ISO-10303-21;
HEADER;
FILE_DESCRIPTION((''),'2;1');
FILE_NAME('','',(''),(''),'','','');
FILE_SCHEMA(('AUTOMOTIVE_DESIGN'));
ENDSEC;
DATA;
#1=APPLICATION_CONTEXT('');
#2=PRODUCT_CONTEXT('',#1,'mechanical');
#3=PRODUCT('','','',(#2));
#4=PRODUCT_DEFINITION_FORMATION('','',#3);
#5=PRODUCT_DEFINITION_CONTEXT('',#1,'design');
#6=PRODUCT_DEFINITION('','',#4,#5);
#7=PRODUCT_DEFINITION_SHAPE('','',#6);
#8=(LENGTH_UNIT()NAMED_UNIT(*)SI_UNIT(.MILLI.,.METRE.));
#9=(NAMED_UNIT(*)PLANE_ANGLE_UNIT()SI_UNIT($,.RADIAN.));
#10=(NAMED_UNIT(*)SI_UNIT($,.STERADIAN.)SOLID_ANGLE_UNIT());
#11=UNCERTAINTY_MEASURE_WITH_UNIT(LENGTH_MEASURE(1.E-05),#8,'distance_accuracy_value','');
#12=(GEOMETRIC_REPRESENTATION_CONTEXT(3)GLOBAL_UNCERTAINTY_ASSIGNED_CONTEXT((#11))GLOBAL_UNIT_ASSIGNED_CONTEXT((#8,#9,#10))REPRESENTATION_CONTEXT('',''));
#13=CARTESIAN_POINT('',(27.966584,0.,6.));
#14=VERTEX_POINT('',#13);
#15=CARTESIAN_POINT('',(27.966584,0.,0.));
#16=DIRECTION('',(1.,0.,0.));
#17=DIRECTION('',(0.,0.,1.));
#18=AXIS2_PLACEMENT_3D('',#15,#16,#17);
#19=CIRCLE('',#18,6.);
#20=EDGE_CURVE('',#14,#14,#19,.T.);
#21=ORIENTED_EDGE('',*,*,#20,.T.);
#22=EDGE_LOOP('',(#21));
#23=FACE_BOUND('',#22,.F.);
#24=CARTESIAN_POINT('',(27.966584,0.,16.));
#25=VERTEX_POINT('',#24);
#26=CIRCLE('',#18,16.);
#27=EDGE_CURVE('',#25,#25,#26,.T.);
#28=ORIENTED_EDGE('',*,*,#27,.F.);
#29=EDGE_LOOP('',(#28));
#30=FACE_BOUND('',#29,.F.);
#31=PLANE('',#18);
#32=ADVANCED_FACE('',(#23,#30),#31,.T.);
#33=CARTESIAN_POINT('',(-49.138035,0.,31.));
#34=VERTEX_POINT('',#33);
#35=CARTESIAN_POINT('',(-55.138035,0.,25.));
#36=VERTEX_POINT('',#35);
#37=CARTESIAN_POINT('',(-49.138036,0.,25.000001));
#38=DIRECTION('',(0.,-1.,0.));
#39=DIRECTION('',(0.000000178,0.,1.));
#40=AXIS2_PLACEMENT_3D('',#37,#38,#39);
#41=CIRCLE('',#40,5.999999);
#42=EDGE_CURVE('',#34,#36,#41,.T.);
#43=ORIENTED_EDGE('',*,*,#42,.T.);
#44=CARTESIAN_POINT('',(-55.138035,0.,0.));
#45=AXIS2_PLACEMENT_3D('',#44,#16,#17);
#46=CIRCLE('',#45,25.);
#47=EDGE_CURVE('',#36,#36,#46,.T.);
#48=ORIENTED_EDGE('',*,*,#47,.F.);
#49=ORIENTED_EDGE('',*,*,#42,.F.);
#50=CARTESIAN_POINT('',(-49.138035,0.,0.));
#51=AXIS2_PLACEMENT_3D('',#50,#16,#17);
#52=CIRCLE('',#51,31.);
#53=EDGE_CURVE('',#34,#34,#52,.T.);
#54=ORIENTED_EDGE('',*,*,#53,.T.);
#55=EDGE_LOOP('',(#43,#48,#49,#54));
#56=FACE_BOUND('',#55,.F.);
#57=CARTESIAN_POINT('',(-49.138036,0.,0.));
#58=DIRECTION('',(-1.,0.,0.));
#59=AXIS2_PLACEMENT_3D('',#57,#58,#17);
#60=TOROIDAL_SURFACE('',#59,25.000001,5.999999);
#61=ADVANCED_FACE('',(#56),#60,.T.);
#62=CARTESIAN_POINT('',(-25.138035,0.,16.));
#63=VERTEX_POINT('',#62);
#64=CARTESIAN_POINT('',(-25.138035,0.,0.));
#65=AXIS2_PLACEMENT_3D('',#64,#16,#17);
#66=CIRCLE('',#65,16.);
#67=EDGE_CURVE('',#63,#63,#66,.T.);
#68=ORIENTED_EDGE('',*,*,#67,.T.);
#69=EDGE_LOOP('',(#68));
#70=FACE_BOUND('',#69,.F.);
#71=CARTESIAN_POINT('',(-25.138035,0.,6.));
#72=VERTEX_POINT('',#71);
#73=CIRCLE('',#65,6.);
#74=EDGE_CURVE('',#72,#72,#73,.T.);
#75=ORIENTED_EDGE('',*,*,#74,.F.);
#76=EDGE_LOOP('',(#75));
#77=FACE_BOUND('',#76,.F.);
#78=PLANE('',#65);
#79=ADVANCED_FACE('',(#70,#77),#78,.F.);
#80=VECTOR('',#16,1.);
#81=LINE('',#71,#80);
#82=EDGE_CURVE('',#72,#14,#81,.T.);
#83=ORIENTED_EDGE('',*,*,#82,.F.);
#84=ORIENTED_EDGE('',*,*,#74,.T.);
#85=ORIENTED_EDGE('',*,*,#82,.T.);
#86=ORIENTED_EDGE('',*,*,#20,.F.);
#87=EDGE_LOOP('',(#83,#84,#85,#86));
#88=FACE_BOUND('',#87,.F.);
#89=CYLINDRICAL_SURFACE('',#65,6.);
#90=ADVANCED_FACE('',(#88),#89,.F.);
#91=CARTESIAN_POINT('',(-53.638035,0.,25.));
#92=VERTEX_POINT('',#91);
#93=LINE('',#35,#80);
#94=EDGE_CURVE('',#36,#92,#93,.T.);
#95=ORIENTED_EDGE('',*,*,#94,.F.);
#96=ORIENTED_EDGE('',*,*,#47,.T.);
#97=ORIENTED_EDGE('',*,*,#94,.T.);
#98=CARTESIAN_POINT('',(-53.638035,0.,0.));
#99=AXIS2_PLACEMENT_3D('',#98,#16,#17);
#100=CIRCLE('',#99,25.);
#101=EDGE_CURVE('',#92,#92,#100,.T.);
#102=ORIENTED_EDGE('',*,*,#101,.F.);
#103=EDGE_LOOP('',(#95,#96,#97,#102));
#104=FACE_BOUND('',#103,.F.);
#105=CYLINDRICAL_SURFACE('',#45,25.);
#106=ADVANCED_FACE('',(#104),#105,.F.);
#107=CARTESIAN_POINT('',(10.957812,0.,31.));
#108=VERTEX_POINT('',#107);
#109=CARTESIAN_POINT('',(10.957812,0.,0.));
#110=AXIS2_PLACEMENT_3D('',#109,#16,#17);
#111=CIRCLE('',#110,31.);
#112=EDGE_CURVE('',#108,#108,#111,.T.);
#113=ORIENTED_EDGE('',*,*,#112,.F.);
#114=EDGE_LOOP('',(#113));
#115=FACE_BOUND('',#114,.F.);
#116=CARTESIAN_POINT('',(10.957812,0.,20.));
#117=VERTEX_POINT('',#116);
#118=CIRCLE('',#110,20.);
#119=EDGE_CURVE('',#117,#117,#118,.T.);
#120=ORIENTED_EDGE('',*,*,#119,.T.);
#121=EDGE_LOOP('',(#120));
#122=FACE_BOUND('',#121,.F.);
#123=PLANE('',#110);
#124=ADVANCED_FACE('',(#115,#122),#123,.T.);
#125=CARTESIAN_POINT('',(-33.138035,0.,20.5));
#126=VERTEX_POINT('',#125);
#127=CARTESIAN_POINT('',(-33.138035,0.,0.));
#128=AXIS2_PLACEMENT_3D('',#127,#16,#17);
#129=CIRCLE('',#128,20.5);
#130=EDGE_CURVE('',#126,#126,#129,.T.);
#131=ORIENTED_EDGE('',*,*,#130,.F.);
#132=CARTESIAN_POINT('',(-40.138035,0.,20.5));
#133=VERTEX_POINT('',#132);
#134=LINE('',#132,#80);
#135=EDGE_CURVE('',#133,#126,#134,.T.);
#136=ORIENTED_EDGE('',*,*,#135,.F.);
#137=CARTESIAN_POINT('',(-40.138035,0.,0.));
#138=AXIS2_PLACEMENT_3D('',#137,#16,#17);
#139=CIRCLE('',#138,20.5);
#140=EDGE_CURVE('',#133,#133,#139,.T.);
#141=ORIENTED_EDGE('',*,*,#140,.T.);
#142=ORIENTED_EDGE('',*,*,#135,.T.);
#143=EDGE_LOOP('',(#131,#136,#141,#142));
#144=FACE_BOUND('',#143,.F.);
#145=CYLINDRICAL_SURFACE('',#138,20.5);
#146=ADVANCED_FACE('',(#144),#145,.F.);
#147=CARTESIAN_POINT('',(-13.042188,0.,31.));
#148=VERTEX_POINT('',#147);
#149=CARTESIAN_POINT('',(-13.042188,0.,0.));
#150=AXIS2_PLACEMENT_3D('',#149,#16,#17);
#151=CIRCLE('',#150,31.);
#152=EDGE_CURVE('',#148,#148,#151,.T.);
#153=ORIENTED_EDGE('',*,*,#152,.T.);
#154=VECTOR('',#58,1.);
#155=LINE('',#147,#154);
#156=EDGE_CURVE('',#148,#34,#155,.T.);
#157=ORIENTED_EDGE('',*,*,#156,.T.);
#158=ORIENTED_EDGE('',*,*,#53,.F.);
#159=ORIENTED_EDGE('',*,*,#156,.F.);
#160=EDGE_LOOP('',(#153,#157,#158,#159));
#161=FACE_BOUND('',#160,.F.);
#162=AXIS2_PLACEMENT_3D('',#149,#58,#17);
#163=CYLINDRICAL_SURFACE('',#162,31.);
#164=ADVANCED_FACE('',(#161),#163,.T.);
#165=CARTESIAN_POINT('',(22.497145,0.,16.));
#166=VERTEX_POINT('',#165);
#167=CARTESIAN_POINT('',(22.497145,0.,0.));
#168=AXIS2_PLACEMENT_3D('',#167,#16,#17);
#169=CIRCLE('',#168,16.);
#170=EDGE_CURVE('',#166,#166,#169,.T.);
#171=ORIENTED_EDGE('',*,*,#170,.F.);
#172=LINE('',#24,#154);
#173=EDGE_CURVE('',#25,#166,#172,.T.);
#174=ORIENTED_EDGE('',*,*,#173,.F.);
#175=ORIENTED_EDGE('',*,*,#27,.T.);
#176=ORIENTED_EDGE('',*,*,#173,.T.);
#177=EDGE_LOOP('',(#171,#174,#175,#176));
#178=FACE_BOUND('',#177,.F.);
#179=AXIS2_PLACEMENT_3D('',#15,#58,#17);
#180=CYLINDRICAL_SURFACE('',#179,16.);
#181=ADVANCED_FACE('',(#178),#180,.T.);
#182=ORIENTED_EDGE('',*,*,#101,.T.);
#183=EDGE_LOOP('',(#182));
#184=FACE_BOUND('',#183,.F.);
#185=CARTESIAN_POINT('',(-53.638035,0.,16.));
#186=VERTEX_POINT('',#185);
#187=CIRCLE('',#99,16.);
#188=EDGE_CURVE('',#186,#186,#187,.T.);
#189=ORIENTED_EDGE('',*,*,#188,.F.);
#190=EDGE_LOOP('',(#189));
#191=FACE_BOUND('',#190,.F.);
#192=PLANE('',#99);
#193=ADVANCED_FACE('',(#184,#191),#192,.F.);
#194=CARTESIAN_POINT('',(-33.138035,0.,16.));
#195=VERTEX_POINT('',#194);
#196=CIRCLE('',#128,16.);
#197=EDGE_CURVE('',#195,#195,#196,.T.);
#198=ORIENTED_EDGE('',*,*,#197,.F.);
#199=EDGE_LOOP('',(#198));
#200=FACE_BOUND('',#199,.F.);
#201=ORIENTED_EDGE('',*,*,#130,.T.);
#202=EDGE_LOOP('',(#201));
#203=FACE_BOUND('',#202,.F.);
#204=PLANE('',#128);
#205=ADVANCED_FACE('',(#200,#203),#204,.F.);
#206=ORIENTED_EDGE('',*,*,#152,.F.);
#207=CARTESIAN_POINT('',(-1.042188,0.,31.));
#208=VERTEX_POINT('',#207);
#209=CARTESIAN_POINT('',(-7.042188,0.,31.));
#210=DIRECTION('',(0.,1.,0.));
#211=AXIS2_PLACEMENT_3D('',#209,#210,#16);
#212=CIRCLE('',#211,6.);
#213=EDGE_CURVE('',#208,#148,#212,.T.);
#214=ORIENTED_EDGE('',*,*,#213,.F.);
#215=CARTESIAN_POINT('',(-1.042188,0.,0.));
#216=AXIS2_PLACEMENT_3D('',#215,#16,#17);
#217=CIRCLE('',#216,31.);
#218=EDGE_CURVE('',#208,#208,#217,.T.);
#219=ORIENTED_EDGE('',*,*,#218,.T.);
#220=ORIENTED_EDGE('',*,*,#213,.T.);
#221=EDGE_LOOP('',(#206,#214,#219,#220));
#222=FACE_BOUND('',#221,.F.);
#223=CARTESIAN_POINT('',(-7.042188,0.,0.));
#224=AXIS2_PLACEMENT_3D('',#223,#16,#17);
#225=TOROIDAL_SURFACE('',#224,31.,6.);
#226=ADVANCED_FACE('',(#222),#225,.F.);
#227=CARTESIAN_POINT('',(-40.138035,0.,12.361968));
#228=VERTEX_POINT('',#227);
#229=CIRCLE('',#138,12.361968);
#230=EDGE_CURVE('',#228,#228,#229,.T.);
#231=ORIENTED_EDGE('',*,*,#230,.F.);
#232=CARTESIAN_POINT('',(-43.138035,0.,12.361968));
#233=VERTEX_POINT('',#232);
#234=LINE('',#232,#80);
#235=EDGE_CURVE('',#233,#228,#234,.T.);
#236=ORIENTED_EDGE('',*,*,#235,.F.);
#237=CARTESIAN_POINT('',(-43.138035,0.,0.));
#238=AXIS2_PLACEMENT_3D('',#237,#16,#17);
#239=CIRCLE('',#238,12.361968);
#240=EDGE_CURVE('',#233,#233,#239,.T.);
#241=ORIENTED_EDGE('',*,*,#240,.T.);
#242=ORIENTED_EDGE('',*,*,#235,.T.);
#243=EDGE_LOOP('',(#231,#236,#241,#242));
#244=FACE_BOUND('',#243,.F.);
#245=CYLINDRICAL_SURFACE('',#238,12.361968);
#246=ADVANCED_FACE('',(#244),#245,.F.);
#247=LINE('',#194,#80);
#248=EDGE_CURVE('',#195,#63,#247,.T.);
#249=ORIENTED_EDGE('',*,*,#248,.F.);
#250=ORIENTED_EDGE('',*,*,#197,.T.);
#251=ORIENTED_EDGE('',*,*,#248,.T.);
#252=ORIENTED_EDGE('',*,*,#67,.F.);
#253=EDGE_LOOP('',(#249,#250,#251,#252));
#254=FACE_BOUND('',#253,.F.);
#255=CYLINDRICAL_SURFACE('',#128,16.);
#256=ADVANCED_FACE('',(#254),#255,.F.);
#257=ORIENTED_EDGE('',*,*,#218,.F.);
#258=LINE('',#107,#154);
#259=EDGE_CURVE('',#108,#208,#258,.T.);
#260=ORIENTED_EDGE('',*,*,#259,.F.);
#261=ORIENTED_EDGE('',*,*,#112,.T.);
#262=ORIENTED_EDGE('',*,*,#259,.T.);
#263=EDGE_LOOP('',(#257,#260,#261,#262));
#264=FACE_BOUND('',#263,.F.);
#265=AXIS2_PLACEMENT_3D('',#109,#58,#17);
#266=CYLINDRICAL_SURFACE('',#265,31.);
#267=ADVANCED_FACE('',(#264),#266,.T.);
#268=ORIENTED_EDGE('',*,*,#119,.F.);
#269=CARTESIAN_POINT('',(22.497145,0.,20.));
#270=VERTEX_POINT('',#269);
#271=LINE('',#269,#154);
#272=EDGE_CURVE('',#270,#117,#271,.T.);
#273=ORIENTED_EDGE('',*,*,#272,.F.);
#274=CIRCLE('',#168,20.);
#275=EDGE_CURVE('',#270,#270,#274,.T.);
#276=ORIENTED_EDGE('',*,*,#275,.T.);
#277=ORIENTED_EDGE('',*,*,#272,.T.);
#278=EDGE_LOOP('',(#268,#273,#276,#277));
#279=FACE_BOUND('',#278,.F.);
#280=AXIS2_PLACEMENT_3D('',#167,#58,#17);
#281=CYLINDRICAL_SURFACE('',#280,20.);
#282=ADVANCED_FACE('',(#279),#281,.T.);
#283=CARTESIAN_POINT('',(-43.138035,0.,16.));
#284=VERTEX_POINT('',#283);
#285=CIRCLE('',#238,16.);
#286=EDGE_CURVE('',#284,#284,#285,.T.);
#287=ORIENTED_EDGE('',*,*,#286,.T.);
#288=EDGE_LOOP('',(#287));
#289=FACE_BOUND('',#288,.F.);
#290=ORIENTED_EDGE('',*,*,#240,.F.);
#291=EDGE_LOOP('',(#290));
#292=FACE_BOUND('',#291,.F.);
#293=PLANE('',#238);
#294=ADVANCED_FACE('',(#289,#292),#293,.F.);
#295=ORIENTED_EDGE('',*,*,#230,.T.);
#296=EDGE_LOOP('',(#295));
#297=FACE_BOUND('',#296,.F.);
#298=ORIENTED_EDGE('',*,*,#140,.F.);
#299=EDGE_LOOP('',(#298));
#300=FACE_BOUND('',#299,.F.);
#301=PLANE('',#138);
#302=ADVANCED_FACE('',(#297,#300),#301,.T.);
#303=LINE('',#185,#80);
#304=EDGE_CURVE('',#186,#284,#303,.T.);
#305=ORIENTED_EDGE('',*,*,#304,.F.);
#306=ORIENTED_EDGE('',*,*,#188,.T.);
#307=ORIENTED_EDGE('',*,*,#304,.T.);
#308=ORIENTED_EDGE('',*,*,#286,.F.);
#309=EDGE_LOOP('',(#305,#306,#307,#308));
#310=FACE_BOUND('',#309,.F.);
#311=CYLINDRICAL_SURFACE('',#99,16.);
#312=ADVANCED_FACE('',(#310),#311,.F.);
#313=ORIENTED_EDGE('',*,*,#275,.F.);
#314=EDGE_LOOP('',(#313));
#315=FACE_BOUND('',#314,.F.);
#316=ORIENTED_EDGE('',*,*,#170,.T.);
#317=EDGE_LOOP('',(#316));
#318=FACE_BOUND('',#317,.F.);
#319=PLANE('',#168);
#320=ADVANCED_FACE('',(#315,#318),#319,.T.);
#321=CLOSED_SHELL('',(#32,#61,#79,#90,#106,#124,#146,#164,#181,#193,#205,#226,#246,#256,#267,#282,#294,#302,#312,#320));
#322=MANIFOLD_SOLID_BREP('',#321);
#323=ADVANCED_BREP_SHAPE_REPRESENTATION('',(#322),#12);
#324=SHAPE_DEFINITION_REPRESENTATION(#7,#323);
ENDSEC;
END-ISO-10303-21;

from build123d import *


with BuildPart() as f1:
    # F0 (on Front) → F1 (revolve)
    with BuildSketch(Plane.XZ):
        with BuildLine():
            Line((-13.042188, 31), (-49.138035, 31))
            ThreePointArc((-49.138035, 31), (-53.380676, 29.242641), (-55.138035, 25))
            Line((-55.138035, 25), (-53.638035, 25))
            Line((-53.638035, 25), (-53.638035, 16))
            Line((-53.638035, 16), (-43.138035, 16))
            Line((-43.138035, 16), (-43.138035, 12.361968))
            Line((-43.138035, 12.361968), (-40.138035, 12.361968))
            Line((-40.138035, 12.361968), (-40.138035, 20.5))
            Line((-40.138035, 20.5), (-33.138035, 20.5))
            Line((-33.138035, 20.5), (-33.138035, 16))
            Line((-33.138035, 16), (-25.138035, 16))
            Line((-25.138035, 16), (-25.138035, 6))
            Line((-25.138035, 6), (27.966584, 6))
            Line((27.966584, 6), (27.966584, 16))
            Line((27.966584, 16), (22.497145, 16))
            Line((22.497145, 16), (22.497145, 20))
            Line((22.497145, 20), (10.957812, 20))
            Line((10.957812, 20), (10.957812, 31))
            Line((10.957812, 31), (-1.042188, 31))
            ThreePointArc((-1.042188, 31), (-7.042188, 25), (-13.042188, 31))
        make_face()
    revolve(axis=Axis((0.181898, 0, 0), (1, 0, 0)))


solid = f1.part
